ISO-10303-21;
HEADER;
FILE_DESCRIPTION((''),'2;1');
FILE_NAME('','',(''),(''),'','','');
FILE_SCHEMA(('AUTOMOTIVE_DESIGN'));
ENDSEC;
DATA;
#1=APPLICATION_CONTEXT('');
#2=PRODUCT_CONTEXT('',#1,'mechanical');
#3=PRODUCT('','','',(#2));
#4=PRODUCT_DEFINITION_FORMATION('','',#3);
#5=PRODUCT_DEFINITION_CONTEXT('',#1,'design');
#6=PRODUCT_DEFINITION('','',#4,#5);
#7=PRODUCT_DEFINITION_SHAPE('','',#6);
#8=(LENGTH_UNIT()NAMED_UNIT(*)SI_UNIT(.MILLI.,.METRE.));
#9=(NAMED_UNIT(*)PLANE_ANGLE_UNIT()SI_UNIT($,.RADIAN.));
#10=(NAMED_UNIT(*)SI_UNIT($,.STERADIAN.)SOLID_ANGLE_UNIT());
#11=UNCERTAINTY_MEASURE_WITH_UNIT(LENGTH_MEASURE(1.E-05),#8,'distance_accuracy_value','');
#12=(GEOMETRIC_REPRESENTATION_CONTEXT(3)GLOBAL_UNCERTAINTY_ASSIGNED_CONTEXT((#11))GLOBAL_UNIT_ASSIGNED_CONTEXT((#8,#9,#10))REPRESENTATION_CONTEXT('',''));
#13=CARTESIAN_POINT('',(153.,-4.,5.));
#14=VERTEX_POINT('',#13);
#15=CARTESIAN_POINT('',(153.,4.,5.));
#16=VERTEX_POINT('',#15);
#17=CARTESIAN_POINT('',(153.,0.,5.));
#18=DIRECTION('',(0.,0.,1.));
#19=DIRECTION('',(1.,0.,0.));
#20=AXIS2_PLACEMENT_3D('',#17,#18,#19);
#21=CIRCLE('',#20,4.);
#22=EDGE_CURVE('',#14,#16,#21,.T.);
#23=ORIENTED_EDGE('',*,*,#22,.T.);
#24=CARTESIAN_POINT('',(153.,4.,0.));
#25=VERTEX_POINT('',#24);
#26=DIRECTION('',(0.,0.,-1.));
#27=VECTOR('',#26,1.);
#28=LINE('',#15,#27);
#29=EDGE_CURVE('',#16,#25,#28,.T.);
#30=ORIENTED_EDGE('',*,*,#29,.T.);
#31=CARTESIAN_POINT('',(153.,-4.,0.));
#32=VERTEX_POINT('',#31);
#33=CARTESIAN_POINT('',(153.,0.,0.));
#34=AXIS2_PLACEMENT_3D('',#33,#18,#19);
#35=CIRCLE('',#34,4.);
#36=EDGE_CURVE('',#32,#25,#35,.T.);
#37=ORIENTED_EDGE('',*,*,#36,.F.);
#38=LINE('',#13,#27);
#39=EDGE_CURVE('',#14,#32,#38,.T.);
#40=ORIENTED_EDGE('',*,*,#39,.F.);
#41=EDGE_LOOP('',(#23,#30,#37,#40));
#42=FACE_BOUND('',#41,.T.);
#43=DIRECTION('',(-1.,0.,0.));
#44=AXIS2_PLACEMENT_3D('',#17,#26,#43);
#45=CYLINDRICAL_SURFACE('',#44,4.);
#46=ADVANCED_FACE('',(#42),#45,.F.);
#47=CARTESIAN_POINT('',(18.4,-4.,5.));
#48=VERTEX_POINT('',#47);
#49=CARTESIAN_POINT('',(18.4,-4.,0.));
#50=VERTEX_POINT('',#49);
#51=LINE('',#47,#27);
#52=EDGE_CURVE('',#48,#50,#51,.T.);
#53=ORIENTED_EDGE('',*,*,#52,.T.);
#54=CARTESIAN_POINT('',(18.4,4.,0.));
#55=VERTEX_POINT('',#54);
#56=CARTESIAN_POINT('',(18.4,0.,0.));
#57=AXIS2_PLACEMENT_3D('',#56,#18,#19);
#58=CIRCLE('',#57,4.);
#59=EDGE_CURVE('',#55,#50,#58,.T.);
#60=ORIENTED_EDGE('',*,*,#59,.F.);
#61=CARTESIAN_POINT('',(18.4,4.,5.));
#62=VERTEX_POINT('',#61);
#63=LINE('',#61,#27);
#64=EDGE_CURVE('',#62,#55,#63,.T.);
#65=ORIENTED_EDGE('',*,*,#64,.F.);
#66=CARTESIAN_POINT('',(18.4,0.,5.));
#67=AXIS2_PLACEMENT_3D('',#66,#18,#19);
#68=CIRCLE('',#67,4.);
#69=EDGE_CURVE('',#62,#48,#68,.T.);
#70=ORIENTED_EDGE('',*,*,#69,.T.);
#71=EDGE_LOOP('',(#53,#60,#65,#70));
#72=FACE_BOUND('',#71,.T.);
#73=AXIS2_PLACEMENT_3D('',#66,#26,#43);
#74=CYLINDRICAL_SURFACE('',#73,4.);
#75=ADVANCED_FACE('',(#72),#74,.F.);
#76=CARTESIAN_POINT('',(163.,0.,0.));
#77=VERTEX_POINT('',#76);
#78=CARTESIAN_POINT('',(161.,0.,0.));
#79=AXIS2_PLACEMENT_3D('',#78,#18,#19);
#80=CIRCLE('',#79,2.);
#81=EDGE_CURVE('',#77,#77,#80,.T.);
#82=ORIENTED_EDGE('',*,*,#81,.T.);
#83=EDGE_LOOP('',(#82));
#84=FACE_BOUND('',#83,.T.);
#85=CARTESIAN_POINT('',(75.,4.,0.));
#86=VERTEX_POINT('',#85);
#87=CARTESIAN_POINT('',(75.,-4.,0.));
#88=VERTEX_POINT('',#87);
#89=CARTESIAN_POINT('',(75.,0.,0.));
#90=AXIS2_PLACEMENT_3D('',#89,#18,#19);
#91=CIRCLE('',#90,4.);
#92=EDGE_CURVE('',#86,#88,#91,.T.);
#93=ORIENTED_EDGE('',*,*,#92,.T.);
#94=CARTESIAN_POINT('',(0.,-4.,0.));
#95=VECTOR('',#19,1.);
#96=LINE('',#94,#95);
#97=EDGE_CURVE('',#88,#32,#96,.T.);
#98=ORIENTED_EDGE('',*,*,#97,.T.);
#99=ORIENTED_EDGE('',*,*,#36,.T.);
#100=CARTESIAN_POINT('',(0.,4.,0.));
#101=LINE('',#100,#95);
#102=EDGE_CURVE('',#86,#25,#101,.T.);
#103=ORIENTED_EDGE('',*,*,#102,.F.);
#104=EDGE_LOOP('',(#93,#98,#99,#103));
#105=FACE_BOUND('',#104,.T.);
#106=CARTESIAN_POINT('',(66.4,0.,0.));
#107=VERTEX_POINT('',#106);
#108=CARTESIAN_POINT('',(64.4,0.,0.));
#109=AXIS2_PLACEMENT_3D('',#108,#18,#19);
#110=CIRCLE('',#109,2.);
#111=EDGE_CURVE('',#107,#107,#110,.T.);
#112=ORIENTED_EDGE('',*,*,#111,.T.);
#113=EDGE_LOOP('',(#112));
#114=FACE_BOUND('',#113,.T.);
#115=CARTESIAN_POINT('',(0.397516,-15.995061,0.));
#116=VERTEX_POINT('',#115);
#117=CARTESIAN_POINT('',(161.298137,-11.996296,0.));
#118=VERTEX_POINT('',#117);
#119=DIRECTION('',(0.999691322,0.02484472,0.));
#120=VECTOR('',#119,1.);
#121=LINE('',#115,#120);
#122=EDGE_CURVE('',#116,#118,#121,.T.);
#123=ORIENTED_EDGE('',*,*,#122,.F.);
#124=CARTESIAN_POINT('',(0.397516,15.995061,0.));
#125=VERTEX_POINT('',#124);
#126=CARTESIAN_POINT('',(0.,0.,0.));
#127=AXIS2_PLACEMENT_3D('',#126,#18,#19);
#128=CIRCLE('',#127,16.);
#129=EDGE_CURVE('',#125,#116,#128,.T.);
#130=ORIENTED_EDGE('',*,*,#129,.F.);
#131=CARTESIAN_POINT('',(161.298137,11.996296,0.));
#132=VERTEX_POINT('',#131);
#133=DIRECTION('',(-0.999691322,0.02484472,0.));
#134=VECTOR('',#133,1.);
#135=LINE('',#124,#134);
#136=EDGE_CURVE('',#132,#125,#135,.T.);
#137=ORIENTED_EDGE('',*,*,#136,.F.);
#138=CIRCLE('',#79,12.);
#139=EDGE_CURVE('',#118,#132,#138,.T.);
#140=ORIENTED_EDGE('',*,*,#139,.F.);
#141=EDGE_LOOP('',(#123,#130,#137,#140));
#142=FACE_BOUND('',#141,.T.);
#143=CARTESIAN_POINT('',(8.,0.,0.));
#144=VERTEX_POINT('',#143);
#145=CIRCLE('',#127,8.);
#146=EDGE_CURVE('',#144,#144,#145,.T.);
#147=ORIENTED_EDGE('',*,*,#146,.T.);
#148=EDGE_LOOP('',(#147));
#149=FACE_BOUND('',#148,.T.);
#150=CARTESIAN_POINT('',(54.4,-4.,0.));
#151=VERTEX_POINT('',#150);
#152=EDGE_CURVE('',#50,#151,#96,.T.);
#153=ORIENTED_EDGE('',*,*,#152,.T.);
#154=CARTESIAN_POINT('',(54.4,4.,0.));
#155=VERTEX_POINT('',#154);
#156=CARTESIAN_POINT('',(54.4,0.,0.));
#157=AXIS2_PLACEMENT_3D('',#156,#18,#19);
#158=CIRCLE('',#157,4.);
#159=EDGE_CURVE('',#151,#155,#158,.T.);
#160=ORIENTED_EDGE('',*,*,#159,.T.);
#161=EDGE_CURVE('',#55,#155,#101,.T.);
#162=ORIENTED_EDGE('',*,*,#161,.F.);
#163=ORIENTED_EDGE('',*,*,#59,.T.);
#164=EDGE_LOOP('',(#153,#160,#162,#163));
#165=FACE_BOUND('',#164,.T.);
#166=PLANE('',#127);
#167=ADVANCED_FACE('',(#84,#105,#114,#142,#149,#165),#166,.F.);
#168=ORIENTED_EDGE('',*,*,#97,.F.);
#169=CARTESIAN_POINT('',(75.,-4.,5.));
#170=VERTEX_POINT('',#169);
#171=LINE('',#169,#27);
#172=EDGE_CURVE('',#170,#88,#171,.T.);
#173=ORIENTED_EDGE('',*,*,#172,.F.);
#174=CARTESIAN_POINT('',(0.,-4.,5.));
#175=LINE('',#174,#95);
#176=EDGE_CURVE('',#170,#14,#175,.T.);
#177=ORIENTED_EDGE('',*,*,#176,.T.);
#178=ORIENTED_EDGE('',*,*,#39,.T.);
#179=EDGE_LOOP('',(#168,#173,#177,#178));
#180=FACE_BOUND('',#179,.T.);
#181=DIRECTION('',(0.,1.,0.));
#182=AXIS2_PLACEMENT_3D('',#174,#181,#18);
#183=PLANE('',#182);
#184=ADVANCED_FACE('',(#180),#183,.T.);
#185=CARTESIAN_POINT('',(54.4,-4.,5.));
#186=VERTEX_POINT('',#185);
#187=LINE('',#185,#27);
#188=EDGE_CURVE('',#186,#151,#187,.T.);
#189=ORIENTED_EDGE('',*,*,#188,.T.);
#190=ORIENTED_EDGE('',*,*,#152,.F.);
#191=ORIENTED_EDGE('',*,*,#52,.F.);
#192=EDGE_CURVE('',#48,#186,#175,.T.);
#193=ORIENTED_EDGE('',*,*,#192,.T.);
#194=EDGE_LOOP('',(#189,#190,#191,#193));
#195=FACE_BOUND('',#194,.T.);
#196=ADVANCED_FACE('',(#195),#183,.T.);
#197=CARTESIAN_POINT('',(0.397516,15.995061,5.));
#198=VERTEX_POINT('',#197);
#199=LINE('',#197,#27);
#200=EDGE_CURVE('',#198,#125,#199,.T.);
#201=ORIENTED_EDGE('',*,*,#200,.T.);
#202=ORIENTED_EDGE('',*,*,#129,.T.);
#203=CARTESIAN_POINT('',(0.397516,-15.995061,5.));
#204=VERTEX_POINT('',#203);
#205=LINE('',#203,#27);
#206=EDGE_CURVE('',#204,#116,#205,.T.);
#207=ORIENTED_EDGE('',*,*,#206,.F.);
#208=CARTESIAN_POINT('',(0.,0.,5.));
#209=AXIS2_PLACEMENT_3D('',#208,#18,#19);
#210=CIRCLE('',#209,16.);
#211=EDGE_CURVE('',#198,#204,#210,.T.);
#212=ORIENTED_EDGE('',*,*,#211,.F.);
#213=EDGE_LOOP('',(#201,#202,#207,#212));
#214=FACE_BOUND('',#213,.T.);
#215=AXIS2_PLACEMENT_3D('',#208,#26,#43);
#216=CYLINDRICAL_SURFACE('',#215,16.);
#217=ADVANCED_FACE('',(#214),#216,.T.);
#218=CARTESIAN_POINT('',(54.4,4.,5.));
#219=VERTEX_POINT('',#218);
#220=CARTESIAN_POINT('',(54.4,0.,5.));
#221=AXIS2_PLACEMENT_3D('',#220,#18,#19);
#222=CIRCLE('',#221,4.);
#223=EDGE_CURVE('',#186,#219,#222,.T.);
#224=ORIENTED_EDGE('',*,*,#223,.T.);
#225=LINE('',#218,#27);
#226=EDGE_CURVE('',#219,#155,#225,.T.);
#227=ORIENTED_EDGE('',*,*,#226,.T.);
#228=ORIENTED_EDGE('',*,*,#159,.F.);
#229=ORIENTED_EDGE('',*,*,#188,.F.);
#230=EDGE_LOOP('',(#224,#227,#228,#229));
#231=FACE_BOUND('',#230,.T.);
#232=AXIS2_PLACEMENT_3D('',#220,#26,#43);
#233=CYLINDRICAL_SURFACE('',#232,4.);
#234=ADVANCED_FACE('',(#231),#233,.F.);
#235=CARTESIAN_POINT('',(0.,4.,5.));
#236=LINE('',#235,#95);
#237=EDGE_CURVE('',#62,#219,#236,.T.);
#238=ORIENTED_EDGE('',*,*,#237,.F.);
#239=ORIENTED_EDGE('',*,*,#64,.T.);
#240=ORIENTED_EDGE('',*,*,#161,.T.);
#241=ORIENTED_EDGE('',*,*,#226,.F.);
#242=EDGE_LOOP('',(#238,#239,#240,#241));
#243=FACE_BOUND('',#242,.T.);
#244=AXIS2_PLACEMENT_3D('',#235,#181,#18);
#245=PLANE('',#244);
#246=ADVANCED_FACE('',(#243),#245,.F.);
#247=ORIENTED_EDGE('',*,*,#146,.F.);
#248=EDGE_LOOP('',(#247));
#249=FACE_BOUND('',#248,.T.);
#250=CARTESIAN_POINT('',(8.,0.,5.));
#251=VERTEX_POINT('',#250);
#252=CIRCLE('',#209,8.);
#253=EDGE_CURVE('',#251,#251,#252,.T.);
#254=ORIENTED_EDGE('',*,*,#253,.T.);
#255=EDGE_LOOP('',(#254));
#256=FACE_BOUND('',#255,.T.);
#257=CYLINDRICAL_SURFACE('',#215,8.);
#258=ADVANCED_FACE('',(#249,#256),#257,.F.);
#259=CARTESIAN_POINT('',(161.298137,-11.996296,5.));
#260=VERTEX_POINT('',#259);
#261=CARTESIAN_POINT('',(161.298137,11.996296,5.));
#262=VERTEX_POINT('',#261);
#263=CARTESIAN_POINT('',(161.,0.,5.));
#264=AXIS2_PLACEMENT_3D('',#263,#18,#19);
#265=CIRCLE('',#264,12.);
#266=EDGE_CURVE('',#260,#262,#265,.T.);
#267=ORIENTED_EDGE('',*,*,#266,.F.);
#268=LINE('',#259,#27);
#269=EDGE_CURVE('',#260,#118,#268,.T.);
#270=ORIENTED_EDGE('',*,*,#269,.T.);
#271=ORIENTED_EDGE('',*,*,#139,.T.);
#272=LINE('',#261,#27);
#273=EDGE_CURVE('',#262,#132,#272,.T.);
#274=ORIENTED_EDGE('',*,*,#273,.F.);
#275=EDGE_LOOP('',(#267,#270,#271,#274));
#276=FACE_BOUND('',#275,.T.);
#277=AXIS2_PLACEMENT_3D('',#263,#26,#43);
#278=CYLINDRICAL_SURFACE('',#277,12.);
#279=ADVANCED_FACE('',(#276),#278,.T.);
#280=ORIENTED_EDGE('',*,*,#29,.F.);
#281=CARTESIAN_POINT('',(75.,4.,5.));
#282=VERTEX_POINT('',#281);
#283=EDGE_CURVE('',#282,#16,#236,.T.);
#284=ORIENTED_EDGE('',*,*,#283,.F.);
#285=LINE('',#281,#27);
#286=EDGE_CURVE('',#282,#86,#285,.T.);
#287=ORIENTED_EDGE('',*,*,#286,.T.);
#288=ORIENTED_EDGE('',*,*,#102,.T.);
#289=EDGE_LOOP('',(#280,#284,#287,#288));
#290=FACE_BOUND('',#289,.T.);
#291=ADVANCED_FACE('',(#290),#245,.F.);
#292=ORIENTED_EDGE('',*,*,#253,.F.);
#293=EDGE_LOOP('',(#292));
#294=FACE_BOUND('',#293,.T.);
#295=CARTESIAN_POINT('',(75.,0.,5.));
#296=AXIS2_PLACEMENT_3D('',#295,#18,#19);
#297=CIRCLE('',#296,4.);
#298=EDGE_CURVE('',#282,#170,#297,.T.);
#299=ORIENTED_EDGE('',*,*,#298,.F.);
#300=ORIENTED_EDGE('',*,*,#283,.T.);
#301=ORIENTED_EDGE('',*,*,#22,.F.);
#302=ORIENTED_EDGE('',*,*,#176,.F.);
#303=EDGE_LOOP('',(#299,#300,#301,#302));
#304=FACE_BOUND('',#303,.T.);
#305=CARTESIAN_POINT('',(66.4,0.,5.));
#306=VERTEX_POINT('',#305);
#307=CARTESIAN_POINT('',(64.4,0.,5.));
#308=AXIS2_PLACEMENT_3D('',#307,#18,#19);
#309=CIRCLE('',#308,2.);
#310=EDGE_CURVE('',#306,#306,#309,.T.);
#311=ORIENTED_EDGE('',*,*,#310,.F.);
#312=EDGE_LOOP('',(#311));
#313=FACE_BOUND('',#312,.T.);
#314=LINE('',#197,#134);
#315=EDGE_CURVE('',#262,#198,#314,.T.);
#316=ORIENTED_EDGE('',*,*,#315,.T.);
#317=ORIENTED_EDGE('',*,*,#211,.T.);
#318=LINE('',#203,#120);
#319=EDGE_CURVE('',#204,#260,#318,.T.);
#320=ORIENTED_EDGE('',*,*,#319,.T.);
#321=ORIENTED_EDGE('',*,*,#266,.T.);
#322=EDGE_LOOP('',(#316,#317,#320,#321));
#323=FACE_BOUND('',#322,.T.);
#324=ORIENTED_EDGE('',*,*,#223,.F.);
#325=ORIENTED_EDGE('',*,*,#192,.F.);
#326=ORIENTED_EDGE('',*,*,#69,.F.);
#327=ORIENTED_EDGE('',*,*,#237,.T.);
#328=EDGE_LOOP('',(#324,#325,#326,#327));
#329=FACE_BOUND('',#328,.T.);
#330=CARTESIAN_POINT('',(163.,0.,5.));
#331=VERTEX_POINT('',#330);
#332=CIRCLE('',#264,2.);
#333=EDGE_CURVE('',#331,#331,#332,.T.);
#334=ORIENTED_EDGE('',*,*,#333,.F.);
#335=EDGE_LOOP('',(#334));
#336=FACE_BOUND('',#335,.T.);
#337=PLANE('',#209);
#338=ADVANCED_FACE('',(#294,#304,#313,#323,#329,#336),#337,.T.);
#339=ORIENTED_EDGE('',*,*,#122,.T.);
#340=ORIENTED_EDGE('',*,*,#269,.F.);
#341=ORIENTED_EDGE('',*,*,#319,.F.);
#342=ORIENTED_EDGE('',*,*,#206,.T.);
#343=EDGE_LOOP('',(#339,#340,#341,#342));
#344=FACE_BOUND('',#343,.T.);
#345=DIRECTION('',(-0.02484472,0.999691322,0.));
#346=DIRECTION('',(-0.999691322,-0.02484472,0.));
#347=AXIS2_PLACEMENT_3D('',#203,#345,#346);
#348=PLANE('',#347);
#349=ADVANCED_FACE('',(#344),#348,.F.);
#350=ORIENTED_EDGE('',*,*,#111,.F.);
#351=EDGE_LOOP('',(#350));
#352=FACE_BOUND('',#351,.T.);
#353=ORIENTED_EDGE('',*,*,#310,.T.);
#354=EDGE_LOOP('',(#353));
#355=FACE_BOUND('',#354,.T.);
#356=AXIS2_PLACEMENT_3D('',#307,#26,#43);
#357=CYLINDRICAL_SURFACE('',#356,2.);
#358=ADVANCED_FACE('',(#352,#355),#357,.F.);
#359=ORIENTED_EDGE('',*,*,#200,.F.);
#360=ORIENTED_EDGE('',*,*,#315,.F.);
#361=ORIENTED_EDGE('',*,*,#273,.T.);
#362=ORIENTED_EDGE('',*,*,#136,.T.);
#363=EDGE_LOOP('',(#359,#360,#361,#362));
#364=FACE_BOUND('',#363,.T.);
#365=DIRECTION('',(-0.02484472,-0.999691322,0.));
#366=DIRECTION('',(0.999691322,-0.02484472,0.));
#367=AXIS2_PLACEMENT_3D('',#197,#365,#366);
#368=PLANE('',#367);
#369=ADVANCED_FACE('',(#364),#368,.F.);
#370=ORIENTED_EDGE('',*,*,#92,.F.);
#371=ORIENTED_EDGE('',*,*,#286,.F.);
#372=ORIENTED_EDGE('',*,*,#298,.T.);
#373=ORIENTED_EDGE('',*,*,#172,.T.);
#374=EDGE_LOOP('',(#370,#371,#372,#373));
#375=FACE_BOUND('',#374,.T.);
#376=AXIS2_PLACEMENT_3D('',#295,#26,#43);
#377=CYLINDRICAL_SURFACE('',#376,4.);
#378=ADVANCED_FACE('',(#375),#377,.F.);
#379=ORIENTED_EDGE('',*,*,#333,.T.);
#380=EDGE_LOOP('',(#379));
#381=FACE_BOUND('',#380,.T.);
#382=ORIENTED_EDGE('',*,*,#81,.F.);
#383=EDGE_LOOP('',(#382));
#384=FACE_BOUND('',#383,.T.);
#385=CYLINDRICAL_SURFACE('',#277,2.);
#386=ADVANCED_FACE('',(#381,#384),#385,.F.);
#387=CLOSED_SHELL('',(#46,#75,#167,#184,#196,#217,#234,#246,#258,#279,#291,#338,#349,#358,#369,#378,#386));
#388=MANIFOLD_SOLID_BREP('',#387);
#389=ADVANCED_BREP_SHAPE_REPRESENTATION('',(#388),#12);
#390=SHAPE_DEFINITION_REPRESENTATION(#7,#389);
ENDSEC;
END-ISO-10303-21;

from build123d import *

# Parameters (mm, degrees)
SKETCH_1_R      = 8
SKETCH_1_R_2    = 2
EXTRUDE_1_DEPTH = 5


with BuildPart() as part:
    # 草图1 → 凸台-拉伸1 (new body)
    with BuildSketch(Plane.XY):
        with BuildLine():
            Line((0.397515528, -15.995061157), (161.298136646, -11.996295867))
            ThreePointArc((161.298136646, -11.996295867), (173, 0), (161.298136646, 11.996295867))
            Line((161.298136646, 11.996295867), (0.397515528, 15.995061157))
            ThreePointArc((0.397515528, 15.995061157), (-16, 0), (0.397515528, -15.995061157))
        make_face()
        Circle(SKETCH_1_R, mode=Mode.SUBTRACT)
        with Locations((161, 0)):
            Circle(SKETCH_1_R_2, mode=Mode.SUBTRACT)
        with Locations((64.4, 0)):
            Circle(SKETCH_1_R_2, mode=Mode.SUBTRACT)
        with BuildLine():
            Line((18.4, 4), (54.4, 4))
            ThreePointArc((54.4, 4), (58.4, 0), (54.4, -4))
            Line((54.4, -4), (18.4, -4))
            ThreePointArc((18.4, -4), (14.4, 0), (18.4, 4))
        make_face(mode=Mode.SUBTRACT)
        with BuildLine():
            Line((75, 4), (153, 4))
            ThreePointArc((153, 4), (157, 0), (153, -4))
            Line((153, -4), (75, -4))
            ThreePointArc((75, -4), (71, 0), (75, 4))
        make_face(mode=Mode.SUBTRACT)
    extrude(amount=EXTRUDE_1_DEPTH)


solid = part.part
